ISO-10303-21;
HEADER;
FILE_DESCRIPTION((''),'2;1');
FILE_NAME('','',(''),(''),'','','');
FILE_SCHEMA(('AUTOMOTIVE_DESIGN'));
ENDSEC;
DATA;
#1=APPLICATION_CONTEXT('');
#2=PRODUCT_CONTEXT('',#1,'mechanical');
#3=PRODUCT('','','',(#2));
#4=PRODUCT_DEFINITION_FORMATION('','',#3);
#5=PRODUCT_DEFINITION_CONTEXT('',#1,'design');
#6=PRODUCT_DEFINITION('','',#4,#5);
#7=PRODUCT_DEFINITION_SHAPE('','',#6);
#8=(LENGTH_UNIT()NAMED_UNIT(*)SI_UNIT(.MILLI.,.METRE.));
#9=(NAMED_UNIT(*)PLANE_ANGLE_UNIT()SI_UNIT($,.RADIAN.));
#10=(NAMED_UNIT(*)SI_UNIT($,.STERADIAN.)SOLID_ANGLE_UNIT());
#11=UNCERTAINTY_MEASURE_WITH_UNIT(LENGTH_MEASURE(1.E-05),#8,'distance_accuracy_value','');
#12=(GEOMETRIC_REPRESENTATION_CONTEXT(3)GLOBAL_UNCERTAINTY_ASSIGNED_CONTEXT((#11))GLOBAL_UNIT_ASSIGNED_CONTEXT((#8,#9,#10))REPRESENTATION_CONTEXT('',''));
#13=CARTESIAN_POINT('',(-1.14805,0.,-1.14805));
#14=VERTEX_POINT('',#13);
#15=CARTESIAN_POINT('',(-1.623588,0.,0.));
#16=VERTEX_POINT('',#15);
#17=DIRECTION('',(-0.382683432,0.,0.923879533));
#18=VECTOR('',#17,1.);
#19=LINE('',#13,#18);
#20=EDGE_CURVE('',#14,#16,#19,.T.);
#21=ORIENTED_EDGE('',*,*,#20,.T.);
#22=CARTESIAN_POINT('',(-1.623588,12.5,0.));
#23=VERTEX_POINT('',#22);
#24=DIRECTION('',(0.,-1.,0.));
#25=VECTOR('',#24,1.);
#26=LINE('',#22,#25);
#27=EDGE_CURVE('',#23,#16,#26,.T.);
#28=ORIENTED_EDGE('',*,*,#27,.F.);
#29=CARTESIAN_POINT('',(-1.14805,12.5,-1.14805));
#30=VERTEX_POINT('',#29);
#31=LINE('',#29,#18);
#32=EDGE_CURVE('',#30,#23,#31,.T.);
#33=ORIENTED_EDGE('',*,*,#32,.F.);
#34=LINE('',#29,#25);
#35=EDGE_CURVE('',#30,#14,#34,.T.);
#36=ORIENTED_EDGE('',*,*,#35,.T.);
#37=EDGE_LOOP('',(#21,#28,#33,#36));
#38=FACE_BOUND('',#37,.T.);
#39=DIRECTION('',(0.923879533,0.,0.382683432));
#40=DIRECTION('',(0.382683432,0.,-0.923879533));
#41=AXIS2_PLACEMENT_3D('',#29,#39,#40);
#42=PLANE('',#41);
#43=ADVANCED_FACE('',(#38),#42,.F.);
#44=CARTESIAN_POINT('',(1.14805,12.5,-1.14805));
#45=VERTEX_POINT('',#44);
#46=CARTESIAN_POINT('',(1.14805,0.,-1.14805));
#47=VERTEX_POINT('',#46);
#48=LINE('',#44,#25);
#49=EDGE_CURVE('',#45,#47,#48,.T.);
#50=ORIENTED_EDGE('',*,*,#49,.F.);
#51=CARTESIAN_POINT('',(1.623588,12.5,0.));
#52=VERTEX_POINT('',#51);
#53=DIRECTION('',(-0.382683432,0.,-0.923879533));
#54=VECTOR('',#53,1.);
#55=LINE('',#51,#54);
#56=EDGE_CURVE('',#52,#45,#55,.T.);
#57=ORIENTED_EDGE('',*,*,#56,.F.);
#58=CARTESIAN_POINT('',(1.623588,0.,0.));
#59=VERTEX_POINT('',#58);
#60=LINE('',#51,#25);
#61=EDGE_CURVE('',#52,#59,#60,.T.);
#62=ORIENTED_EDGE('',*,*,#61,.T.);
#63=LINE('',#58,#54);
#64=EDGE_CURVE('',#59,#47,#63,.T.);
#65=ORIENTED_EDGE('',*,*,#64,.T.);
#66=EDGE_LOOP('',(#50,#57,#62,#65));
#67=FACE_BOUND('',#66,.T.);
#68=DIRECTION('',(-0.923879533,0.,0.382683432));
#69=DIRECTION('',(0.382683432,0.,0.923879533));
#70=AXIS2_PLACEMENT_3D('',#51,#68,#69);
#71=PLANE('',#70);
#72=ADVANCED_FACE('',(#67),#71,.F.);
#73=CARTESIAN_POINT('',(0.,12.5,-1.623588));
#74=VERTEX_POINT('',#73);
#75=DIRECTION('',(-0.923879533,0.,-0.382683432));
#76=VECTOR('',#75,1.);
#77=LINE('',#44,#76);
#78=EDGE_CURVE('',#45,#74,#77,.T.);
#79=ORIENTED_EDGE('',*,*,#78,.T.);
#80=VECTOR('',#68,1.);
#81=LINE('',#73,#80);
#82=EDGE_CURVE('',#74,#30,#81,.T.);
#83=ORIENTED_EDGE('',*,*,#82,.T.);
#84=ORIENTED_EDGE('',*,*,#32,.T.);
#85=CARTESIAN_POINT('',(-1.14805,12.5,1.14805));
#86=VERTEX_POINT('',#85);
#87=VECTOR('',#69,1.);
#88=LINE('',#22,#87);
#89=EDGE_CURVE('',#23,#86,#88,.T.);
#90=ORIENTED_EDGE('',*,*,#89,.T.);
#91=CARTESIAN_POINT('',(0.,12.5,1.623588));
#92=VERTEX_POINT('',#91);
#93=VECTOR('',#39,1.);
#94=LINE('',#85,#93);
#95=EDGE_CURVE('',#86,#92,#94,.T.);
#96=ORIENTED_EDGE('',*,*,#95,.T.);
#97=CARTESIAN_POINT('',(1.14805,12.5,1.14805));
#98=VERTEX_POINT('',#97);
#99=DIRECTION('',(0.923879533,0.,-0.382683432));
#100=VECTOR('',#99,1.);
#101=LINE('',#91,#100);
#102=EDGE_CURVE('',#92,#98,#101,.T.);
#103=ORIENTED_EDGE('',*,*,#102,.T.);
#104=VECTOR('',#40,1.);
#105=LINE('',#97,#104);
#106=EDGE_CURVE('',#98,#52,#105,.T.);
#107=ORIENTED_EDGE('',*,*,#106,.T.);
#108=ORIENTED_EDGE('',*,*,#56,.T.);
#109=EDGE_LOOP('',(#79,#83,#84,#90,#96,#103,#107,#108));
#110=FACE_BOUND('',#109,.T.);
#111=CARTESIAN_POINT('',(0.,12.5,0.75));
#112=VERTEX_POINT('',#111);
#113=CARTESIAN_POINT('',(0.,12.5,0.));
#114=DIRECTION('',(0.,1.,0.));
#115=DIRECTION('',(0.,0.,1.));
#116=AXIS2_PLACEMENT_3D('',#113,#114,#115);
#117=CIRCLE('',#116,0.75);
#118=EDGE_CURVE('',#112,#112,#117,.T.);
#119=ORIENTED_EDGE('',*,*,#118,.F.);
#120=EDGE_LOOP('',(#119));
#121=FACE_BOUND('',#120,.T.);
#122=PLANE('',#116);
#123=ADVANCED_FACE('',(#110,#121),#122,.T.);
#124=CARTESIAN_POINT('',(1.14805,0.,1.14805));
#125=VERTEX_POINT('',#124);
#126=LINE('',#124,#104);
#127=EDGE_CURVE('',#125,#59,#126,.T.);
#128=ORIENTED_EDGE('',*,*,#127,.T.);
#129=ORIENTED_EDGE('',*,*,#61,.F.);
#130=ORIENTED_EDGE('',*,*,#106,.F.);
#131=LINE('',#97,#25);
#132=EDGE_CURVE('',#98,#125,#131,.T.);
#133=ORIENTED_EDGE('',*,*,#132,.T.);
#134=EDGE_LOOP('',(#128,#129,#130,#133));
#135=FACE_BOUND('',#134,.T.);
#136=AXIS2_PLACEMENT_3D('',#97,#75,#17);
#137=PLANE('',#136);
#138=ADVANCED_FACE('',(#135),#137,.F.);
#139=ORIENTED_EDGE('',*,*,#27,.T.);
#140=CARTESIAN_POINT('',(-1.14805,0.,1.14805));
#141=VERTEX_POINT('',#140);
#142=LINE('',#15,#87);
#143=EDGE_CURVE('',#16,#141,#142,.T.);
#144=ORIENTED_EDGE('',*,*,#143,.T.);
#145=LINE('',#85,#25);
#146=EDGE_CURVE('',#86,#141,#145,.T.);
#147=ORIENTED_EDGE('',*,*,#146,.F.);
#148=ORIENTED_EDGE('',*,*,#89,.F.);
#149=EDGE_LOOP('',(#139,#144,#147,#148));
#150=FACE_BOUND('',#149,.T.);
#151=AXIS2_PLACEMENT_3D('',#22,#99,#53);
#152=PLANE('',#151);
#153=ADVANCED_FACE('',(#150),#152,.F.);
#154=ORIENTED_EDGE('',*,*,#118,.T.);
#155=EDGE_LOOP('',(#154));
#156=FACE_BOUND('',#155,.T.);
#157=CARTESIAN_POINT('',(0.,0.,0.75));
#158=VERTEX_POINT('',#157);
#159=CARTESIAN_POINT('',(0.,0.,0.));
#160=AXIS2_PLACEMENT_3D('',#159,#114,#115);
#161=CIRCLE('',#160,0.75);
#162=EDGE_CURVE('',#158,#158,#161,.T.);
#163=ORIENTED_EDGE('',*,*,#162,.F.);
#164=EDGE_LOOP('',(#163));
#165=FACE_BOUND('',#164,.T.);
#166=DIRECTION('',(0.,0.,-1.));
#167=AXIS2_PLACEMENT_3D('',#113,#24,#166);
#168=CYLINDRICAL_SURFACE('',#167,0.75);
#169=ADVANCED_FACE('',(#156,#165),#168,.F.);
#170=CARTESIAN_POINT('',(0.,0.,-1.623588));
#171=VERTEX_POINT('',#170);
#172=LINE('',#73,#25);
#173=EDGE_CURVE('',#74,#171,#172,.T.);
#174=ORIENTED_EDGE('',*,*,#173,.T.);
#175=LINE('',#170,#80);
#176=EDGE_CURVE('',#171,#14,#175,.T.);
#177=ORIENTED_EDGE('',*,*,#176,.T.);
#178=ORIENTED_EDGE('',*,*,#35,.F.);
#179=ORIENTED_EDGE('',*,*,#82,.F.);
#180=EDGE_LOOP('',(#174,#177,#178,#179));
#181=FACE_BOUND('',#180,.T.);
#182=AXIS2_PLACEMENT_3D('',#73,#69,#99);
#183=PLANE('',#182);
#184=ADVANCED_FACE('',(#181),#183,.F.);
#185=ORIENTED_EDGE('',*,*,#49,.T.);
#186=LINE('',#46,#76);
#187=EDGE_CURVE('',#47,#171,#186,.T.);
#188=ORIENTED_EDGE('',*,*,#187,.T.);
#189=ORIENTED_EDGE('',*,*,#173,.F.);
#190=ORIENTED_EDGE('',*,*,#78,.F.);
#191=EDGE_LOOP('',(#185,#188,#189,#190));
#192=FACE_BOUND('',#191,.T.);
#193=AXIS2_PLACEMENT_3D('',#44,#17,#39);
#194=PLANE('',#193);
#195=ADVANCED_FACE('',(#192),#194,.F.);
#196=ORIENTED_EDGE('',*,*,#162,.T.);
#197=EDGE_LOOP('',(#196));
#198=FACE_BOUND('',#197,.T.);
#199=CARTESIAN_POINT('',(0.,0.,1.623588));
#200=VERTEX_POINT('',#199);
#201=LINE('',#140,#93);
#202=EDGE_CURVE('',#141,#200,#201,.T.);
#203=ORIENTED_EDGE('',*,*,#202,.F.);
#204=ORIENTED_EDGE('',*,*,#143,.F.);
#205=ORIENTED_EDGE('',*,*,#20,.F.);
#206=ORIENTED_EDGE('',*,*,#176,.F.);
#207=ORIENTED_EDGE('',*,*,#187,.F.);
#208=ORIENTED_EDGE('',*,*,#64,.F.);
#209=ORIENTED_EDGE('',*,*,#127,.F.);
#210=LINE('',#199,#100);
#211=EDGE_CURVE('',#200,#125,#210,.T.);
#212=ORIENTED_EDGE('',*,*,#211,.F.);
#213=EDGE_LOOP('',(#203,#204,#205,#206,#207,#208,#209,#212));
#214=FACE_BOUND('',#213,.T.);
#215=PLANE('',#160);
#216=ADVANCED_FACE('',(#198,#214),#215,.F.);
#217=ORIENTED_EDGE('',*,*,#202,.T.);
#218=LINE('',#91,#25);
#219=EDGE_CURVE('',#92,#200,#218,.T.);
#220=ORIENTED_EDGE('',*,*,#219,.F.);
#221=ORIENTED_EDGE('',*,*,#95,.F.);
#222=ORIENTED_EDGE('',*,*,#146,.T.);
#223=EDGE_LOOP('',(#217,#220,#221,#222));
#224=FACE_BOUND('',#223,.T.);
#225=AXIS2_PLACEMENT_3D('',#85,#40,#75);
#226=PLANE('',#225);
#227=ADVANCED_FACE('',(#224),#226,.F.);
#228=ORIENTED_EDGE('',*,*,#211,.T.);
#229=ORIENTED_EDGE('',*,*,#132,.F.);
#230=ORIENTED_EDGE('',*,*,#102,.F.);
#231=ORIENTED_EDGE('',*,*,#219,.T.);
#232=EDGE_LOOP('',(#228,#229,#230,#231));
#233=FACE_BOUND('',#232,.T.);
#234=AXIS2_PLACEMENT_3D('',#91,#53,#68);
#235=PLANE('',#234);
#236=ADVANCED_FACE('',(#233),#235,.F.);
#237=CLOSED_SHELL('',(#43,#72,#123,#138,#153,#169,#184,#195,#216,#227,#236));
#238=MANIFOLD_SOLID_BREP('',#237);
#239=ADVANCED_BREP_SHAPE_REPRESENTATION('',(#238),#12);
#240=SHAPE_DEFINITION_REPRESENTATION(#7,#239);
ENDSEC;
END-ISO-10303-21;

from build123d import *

# Parameters (mm, degrees)
SKETCH1_R           = 0.75
BOSS_EXTRUDE1_DEPTH = 12.5


with BuildPart() as part:
    # Sketch1 → Boss-Extrude1 (new body)
    with BuildSketch(Plane(origin=(0, 0, 0), x_dir=(1, 0, 0), z_dir=(0, 1, 0))):
        Polygon((1.6235883, 0), (1.148050297, 1.148050297), (0, 1.6235883), (-1.148050297, 1.148050297), (-1.6235883, 0), (-1.148050297, -1.148050297), (0, -1.6235883), (1.148050297, -1.148050297), align=None)
        with Locations(Location((0, 0, 0), (0, 0, 270))):
            Circle(SKETCH1_R, mode=Mode.SUBTRACT)
    extrude(amount=BOSS_EXTRUDE1_DEPTH)


solid = part.part
